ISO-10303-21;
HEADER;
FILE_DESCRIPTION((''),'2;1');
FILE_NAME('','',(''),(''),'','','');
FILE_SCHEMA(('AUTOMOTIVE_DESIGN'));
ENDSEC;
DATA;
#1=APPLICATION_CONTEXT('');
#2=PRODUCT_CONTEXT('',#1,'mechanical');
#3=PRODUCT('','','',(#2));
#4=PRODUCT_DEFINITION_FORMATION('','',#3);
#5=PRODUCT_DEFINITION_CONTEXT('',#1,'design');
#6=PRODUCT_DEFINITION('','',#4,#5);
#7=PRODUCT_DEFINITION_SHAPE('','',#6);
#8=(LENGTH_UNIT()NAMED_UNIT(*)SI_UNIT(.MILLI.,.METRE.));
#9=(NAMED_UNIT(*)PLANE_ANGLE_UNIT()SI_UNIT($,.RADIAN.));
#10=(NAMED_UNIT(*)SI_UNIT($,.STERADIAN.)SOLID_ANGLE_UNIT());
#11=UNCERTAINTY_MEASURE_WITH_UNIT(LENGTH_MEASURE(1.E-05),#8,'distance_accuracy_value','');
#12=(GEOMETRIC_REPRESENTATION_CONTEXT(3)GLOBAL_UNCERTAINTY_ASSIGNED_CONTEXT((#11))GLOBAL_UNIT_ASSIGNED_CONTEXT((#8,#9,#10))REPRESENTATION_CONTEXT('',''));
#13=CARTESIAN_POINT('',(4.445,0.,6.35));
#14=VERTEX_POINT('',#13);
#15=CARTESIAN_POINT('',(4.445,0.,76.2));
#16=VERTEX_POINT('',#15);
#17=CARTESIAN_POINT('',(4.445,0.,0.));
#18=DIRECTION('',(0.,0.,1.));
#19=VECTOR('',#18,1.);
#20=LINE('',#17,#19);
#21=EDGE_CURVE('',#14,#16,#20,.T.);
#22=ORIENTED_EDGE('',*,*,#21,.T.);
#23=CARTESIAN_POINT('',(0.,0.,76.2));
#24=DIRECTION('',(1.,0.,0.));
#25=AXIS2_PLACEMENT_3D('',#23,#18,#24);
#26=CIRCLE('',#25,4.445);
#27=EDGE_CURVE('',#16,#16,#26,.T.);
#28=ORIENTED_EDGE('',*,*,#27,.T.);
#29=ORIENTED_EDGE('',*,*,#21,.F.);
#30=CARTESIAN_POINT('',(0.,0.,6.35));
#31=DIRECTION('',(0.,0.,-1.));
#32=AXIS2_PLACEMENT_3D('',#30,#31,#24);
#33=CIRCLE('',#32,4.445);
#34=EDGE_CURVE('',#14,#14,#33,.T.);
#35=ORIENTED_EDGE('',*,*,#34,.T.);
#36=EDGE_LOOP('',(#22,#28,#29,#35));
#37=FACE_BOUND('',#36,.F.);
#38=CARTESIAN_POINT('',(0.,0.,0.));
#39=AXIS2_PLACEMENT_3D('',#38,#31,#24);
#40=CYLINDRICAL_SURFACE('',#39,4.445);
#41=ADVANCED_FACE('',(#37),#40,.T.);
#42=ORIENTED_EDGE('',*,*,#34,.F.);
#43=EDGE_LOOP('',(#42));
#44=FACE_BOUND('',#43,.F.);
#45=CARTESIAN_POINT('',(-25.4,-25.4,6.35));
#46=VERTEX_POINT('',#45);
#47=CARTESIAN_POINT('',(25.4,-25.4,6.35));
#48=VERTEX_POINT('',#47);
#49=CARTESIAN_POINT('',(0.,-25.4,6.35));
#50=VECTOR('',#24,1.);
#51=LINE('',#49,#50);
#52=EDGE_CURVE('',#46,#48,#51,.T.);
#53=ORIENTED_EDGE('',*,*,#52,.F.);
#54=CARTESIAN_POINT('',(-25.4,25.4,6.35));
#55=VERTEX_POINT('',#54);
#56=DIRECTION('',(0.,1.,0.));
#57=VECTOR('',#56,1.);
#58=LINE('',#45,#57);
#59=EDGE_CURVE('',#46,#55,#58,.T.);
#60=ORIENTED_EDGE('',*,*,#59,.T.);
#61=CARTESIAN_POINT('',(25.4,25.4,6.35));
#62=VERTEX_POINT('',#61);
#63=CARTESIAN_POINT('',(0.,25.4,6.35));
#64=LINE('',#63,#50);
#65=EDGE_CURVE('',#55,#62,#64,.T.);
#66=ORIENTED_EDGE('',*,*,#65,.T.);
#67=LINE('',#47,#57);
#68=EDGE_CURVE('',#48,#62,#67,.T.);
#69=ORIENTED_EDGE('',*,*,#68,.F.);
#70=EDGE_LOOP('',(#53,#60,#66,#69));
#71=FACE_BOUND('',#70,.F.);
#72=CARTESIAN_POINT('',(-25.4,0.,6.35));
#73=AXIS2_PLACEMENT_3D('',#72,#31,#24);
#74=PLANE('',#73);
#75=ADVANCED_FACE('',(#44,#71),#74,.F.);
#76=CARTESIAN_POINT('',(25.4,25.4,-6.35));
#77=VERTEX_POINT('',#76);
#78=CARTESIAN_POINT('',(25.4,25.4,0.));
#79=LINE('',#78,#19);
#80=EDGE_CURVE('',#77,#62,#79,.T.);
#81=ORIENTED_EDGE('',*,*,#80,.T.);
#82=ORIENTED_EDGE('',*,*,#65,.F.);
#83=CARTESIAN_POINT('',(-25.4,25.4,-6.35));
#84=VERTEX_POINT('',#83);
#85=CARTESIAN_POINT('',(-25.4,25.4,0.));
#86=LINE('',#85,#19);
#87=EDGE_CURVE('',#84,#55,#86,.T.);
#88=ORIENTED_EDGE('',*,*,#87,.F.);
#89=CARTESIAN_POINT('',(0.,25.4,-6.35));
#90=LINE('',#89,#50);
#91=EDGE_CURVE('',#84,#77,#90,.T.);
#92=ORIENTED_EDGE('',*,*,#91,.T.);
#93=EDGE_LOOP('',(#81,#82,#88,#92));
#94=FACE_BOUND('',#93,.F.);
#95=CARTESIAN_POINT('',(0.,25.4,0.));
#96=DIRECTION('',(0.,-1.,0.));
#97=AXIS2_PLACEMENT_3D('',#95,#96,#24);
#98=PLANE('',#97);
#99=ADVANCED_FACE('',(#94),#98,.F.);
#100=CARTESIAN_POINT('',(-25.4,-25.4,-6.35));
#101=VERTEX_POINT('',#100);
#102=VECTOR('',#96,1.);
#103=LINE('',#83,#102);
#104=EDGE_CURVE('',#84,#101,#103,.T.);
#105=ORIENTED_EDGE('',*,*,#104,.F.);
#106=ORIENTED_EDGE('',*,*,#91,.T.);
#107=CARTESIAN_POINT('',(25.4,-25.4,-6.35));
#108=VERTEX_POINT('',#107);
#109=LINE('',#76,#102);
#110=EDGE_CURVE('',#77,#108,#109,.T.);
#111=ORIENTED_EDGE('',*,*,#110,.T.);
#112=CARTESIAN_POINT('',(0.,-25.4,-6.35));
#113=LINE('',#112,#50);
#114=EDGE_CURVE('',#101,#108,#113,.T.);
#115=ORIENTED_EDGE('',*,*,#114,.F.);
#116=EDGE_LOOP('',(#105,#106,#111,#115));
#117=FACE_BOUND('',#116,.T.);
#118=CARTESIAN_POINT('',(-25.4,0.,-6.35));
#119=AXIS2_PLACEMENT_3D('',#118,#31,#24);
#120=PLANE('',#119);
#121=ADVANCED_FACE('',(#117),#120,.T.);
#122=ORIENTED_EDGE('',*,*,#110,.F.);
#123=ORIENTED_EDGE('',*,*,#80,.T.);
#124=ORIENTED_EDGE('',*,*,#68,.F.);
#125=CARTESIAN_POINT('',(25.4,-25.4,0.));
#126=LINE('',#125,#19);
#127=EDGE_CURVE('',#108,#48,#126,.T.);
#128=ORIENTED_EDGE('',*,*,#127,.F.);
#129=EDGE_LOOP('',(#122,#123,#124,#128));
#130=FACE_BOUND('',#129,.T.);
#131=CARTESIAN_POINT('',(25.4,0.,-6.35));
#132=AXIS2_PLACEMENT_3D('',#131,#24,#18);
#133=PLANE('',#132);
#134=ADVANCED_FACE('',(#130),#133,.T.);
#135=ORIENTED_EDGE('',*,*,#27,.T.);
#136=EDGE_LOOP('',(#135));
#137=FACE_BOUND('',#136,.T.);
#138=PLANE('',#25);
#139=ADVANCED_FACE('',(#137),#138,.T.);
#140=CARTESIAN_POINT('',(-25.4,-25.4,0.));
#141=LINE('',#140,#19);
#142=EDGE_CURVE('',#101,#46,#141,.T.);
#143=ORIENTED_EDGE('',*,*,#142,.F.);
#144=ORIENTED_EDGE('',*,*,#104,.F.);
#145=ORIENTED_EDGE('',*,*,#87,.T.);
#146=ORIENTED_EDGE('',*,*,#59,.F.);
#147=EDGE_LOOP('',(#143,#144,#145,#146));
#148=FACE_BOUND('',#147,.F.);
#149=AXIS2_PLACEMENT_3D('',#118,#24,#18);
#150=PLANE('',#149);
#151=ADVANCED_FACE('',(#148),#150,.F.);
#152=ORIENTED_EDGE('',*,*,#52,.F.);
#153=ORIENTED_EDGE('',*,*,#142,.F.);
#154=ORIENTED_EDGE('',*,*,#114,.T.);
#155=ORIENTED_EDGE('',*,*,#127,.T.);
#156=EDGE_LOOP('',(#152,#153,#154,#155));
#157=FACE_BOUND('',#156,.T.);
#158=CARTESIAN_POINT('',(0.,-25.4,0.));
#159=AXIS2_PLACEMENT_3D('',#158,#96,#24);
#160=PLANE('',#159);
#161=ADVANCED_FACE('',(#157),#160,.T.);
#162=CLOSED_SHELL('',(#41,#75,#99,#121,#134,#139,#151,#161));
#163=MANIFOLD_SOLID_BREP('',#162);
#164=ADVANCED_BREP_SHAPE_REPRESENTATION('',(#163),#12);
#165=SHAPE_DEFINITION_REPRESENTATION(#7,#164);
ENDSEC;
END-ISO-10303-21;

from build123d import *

# Parameters (mm, degrees)
F0_W     = 50.8
F0_H     = 12.7
F1_DEPTH = 25.4
F2_R     = 4.445
F3_DEPTH = 76.2


with BuildPart() as f1:
    # F0 (on Front) → F1 (new body, symmetric)
    with BuildSketch(Plane.XZ):
        Rectangle(F0_W, F0_H)
    extrude(amount=F1_DEPTH, both=True)

    # F2 (on Top) → F3 (join)
    with BuildSketch(Plane.XY):
        Circle(F2_R)
    extrude(amount=F3_DEPTH)


solid = f1.part
